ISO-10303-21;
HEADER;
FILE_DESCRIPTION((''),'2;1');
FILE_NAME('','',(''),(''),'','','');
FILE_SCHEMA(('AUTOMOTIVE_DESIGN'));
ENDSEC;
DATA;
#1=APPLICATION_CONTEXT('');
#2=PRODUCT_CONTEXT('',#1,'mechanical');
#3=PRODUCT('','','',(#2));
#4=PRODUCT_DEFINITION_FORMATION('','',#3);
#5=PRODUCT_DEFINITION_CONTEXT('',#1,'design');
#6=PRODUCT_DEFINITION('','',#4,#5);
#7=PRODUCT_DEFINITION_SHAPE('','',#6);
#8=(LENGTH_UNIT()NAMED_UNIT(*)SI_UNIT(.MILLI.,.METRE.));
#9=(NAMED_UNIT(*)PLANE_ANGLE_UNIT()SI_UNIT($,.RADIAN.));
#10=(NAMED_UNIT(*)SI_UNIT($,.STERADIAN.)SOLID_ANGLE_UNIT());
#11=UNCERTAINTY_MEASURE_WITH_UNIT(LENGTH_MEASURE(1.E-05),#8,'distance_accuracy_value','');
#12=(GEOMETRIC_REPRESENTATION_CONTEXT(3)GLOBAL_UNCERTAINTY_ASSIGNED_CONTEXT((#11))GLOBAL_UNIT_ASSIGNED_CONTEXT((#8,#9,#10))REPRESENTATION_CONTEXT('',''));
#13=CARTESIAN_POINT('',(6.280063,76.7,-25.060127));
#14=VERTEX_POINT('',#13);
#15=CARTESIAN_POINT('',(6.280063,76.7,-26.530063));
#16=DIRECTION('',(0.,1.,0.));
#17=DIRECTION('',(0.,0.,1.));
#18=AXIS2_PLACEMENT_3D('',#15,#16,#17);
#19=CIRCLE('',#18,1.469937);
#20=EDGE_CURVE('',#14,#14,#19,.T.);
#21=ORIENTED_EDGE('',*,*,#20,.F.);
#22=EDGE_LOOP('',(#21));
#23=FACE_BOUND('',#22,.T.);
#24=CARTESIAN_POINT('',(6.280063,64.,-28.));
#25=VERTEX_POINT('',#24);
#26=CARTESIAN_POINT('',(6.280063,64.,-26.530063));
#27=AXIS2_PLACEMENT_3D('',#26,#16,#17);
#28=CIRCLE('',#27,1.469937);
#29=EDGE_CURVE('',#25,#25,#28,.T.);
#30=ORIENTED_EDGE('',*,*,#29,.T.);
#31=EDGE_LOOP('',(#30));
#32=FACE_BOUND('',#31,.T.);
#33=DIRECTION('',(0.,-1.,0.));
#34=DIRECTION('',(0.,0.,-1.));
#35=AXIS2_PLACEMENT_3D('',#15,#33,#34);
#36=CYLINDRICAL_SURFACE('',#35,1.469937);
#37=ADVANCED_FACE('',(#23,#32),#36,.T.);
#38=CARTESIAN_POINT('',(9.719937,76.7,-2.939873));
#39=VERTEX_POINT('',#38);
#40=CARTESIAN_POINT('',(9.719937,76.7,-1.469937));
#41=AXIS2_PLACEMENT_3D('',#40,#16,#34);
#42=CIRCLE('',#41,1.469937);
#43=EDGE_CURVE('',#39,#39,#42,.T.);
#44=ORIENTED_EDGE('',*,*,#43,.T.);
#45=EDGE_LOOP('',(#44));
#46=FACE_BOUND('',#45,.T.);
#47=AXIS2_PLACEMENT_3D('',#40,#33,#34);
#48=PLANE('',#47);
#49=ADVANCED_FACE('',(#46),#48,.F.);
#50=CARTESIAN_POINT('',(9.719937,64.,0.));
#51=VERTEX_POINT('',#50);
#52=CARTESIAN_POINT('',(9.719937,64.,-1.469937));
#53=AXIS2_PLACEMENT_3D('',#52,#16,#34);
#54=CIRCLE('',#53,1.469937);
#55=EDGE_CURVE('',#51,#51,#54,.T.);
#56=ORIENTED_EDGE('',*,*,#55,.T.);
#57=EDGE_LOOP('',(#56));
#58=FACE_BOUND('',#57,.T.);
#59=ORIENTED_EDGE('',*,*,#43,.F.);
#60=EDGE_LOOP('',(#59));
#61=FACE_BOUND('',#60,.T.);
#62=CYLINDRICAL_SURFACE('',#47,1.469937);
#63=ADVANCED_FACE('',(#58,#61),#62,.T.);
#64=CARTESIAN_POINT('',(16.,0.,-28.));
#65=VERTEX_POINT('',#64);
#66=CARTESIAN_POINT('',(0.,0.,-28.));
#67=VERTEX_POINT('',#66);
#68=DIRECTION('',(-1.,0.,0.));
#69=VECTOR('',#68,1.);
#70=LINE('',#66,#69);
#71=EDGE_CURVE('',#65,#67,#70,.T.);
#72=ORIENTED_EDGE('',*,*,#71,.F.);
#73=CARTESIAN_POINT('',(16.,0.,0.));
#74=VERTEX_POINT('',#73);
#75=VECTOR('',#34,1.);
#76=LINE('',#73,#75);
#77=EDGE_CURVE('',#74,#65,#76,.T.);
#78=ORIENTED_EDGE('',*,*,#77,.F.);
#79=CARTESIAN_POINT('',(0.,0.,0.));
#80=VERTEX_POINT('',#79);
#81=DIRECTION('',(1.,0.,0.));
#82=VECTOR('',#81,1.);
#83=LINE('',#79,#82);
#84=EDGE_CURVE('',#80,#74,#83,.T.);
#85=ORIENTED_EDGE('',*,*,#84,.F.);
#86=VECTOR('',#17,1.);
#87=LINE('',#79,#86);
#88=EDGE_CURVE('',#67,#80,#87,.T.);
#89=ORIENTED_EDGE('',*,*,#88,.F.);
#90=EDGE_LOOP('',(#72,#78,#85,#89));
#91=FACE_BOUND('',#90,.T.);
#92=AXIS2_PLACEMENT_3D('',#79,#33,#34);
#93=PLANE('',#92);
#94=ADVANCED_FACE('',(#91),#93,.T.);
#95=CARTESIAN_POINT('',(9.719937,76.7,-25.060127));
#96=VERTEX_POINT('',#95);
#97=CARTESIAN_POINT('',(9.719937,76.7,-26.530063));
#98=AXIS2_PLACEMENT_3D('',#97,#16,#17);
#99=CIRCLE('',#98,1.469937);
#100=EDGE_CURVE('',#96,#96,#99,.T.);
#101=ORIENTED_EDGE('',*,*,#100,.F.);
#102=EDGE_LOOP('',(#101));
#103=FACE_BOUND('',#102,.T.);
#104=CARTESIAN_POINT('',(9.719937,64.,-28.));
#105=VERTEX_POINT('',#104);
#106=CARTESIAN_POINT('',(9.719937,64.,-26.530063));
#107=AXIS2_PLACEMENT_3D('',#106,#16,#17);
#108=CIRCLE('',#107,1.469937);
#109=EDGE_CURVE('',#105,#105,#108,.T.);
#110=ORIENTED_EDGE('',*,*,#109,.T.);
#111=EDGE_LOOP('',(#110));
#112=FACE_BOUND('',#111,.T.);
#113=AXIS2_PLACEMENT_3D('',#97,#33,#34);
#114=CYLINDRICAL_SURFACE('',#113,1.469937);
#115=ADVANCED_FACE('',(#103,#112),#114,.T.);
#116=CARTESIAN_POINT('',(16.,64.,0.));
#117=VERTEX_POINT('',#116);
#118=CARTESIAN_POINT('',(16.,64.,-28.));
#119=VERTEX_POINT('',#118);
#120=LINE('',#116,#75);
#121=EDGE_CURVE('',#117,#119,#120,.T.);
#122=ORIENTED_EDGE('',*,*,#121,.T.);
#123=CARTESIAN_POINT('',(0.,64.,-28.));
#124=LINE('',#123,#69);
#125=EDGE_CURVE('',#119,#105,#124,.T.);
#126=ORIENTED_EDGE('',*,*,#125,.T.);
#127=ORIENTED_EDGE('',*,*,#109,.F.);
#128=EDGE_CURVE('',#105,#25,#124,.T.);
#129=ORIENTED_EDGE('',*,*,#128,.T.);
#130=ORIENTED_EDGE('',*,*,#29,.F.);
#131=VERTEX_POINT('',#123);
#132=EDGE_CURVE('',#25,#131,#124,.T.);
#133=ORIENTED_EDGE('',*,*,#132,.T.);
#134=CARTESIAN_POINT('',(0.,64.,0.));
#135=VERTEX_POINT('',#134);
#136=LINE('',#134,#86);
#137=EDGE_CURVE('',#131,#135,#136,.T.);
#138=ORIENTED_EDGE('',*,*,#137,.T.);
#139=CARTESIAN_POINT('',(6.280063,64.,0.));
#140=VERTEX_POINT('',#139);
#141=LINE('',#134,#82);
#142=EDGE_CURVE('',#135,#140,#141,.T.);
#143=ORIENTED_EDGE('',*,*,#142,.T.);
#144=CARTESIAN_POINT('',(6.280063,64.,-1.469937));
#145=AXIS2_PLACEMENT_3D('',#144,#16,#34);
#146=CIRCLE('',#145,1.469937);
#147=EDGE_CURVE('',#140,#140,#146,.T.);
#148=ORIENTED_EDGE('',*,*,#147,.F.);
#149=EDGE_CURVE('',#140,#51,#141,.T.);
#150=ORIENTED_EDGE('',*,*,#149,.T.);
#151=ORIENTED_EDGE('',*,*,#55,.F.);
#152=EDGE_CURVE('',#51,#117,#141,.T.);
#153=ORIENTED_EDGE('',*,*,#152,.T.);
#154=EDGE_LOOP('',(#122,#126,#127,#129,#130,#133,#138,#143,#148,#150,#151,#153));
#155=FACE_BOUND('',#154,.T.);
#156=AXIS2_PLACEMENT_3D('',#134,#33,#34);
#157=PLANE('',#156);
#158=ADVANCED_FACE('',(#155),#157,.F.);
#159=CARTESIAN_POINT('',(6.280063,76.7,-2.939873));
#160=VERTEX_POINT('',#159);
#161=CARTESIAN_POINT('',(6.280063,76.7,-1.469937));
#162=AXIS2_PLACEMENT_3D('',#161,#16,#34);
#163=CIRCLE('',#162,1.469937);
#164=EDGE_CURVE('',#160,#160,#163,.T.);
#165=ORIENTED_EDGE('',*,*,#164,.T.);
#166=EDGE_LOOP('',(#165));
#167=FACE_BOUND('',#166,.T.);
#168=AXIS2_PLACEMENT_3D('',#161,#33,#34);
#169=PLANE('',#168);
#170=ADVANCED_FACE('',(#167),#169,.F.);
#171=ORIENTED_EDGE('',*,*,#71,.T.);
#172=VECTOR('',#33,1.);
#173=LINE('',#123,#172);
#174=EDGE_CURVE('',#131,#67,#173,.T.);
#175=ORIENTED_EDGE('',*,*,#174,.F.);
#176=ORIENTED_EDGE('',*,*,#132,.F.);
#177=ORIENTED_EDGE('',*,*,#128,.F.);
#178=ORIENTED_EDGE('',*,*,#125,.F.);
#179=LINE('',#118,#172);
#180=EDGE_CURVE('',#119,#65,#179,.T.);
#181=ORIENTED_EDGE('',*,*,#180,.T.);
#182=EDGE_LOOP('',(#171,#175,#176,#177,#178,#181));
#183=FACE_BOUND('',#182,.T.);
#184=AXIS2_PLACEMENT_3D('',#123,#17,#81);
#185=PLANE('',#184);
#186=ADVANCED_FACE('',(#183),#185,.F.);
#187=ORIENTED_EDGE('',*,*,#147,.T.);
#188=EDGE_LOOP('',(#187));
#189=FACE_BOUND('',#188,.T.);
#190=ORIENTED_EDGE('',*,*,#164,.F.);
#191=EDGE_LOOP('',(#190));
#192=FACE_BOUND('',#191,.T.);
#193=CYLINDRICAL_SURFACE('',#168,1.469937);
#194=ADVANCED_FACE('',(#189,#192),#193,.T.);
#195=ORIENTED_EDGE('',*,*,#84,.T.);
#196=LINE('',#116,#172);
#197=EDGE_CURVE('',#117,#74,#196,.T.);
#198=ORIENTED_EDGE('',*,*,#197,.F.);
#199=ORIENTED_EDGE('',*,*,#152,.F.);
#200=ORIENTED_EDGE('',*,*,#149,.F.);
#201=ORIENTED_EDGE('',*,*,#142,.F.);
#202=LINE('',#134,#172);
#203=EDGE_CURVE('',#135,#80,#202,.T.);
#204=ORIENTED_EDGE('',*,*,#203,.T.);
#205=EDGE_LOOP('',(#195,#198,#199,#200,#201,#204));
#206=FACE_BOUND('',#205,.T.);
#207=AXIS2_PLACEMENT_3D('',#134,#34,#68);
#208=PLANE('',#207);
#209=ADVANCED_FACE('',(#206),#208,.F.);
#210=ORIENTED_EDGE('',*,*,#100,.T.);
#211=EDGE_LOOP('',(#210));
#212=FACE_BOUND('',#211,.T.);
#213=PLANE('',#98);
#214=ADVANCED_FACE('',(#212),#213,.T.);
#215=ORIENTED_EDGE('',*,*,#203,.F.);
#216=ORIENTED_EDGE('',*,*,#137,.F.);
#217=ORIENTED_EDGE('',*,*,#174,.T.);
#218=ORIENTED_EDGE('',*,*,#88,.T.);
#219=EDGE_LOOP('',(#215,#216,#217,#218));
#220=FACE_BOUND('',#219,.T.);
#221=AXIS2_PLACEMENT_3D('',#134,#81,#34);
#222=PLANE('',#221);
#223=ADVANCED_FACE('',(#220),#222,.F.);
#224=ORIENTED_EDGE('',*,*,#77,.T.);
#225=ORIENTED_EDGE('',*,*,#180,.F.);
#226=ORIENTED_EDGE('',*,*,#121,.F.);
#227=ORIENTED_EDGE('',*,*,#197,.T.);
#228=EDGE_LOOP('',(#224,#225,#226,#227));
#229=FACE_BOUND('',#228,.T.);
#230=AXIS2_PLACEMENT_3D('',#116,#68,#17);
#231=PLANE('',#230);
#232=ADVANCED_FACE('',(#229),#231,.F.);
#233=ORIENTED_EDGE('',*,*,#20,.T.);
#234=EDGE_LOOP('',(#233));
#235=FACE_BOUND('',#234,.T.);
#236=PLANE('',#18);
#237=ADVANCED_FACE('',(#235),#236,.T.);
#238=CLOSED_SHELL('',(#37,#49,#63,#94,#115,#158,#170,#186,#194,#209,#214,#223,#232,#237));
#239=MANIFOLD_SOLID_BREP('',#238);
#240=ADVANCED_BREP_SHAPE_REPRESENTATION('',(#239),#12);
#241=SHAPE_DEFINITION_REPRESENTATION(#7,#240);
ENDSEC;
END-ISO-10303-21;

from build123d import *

# Parameters (mm, degrees)
SKETCH1_W           = 16
SKETCH1_H           = 28
BOSS_EXTRUDE1_DEPTH = 64
SKETCH2_R           = 1.469936724
BOSS_EXTRUDE8_DEPTH = 12.7


with BuildPart() as part:
    # Sketch1 → Boss-Extrude1 (new body)
    with BuildSketch(Plane(origin=(0, 0, 0), x_dir=(1, 0, 0), z_dir=(0, 1, 0))):
        with Locations((8, 14)):
            Rectangle(SKETCH1_W, SKETCH1_H)
    extrude(amount=BOSS_EXTRUDE1_DEPTH)

    # Sketch2 → Boss-Extrude8 (add)
    with BuildSketch(Plane(origin=(0, 64, 0), x_dir=(1, 0, 0), z_dir=(0, 1, 0))):
        with Locations(Location((6.280063122, 26.530063276, 0), (0, 0, 90))):
            Circle(SKETCH2_R)
        with Locations(Location((9.719936624, 26.530063276, 0), (0, 0, 90))):
            Circle(SKETCH2_R)
        with Locations(Location((6.280063122, 1.469936724, 0), (0, 0, 90))):
            Circle(SKETCH2_R)
        with Locations(Location((9.719936624, 1.469936724, 0), (0, 0, 90))):
            Circle(SKETCH2_R)
    extrude(amount=BOSS_EXTRUDE8_DEPTH)


solid = part.part
